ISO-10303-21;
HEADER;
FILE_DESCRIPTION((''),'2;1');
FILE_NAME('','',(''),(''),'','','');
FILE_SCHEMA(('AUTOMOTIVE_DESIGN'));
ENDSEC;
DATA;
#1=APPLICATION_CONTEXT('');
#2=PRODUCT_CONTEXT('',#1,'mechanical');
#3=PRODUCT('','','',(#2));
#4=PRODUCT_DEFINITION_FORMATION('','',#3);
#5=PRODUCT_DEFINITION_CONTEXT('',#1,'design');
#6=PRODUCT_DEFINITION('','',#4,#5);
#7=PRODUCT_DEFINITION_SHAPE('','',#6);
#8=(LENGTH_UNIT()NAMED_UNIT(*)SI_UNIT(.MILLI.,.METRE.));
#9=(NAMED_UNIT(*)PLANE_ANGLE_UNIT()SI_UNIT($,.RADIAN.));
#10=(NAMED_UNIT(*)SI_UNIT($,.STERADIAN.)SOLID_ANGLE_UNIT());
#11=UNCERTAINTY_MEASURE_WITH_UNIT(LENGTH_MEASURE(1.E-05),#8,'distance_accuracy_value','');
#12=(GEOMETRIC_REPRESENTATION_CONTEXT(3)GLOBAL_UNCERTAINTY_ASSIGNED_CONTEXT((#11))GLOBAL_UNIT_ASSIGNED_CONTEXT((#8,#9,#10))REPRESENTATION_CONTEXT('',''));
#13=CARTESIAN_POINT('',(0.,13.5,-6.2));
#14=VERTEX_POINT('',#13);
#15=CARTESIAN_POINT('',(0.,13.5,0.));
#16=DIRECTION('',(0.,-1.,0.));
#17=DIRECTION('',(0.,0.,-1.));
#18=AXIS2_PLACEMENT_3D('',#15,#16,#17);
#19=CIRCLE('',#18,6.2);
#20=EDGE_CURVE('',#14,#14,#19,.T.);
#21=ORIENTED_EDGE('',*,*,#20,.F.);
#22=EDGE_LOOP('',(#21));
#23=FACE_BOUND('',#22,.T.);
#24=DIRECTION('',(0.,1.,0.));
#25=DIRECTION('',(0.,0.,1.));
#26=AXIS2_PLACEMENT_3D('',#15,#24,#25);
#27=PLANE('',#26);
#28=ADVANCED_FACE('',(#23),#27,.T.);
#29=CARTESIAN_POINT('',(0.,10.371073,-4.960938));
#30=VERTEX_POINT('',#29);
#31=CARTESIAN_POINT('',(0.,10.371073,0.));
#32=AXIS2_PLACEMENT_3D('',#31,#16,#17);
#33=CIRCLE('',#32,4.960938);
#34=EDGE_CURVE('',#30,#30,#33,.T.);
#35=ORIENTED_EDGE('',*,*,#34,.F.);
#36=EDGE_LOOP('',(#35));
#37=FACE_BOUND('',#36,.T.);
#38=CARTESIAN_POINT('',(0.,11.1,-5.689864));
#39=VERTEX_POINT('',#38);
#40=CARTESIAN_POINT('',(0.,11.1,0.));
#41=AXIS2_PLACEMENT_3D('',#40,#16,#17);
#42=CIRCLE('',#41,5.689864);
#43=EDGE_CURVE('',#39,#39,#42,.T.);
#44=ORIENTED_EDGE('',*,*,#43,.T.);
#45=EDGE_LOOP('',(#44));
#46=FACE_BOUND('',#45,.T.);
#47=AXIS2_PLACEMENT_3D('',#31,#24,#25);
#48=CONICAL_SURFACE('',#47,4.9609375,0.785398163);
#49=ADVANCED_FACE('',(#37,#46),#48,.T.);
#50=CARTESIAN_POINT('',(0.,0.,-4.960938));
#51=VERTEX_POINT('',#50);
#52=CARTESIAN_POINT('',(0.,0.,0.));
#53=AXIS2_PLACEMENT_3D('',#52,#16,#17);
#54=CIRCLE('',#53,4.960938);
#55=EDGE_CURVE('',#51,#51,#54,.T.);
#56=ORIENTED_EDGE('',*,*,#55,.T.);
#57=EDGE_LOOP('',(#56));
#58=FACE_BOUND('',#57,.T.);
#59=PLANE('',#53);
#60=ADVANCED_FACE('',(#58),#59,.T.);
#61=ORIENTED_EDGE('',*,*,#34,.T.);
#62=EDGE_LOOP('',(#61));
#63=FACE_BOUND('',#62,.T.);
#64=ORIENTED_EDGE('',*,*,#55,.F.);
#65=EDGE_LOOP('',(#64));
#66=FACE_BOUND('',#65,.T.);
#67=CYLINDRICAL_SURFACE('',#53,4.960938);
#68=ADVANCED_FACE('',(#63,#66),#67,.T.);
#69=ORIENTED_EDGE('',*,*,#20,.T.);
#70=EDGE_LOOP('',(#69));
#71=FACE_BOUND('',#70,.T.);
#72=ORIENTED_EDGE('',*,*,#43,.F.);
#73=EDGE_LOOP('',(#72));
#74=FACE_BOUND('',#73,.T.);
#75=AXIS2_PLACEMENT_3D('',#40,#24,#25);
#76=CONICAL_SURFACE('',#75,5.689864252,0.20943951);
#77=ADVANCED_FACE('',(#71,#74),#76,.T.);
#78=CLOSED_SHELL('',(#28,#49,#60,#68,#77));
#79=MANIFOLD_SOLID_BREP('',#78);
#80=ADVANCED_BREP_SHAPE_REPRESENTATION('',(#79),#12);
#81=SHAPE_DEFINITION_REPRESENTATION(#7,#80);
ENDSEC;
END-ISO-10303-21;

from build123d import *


with BuildPart() as part:
    # Sketch1 → Revolve1 (revolve)
    with BuildSketch(Plane.XY, mode=Mode.PRIVATE) as revolve1_sk:
        Polygon((0, 0), (0, 13.5), (6.2, 13.5), (5.689864252, 11.1), (4.9609375, 10.371073248), (4.9609375, 0), align=None)
    revolve(revolve1_sk.sketch.rotate(Axis((0, 0, 0), (0, 1, 0)), 90), axis=Axis((0, 0, 0), (0, 1, 0)))


solid = part.part
